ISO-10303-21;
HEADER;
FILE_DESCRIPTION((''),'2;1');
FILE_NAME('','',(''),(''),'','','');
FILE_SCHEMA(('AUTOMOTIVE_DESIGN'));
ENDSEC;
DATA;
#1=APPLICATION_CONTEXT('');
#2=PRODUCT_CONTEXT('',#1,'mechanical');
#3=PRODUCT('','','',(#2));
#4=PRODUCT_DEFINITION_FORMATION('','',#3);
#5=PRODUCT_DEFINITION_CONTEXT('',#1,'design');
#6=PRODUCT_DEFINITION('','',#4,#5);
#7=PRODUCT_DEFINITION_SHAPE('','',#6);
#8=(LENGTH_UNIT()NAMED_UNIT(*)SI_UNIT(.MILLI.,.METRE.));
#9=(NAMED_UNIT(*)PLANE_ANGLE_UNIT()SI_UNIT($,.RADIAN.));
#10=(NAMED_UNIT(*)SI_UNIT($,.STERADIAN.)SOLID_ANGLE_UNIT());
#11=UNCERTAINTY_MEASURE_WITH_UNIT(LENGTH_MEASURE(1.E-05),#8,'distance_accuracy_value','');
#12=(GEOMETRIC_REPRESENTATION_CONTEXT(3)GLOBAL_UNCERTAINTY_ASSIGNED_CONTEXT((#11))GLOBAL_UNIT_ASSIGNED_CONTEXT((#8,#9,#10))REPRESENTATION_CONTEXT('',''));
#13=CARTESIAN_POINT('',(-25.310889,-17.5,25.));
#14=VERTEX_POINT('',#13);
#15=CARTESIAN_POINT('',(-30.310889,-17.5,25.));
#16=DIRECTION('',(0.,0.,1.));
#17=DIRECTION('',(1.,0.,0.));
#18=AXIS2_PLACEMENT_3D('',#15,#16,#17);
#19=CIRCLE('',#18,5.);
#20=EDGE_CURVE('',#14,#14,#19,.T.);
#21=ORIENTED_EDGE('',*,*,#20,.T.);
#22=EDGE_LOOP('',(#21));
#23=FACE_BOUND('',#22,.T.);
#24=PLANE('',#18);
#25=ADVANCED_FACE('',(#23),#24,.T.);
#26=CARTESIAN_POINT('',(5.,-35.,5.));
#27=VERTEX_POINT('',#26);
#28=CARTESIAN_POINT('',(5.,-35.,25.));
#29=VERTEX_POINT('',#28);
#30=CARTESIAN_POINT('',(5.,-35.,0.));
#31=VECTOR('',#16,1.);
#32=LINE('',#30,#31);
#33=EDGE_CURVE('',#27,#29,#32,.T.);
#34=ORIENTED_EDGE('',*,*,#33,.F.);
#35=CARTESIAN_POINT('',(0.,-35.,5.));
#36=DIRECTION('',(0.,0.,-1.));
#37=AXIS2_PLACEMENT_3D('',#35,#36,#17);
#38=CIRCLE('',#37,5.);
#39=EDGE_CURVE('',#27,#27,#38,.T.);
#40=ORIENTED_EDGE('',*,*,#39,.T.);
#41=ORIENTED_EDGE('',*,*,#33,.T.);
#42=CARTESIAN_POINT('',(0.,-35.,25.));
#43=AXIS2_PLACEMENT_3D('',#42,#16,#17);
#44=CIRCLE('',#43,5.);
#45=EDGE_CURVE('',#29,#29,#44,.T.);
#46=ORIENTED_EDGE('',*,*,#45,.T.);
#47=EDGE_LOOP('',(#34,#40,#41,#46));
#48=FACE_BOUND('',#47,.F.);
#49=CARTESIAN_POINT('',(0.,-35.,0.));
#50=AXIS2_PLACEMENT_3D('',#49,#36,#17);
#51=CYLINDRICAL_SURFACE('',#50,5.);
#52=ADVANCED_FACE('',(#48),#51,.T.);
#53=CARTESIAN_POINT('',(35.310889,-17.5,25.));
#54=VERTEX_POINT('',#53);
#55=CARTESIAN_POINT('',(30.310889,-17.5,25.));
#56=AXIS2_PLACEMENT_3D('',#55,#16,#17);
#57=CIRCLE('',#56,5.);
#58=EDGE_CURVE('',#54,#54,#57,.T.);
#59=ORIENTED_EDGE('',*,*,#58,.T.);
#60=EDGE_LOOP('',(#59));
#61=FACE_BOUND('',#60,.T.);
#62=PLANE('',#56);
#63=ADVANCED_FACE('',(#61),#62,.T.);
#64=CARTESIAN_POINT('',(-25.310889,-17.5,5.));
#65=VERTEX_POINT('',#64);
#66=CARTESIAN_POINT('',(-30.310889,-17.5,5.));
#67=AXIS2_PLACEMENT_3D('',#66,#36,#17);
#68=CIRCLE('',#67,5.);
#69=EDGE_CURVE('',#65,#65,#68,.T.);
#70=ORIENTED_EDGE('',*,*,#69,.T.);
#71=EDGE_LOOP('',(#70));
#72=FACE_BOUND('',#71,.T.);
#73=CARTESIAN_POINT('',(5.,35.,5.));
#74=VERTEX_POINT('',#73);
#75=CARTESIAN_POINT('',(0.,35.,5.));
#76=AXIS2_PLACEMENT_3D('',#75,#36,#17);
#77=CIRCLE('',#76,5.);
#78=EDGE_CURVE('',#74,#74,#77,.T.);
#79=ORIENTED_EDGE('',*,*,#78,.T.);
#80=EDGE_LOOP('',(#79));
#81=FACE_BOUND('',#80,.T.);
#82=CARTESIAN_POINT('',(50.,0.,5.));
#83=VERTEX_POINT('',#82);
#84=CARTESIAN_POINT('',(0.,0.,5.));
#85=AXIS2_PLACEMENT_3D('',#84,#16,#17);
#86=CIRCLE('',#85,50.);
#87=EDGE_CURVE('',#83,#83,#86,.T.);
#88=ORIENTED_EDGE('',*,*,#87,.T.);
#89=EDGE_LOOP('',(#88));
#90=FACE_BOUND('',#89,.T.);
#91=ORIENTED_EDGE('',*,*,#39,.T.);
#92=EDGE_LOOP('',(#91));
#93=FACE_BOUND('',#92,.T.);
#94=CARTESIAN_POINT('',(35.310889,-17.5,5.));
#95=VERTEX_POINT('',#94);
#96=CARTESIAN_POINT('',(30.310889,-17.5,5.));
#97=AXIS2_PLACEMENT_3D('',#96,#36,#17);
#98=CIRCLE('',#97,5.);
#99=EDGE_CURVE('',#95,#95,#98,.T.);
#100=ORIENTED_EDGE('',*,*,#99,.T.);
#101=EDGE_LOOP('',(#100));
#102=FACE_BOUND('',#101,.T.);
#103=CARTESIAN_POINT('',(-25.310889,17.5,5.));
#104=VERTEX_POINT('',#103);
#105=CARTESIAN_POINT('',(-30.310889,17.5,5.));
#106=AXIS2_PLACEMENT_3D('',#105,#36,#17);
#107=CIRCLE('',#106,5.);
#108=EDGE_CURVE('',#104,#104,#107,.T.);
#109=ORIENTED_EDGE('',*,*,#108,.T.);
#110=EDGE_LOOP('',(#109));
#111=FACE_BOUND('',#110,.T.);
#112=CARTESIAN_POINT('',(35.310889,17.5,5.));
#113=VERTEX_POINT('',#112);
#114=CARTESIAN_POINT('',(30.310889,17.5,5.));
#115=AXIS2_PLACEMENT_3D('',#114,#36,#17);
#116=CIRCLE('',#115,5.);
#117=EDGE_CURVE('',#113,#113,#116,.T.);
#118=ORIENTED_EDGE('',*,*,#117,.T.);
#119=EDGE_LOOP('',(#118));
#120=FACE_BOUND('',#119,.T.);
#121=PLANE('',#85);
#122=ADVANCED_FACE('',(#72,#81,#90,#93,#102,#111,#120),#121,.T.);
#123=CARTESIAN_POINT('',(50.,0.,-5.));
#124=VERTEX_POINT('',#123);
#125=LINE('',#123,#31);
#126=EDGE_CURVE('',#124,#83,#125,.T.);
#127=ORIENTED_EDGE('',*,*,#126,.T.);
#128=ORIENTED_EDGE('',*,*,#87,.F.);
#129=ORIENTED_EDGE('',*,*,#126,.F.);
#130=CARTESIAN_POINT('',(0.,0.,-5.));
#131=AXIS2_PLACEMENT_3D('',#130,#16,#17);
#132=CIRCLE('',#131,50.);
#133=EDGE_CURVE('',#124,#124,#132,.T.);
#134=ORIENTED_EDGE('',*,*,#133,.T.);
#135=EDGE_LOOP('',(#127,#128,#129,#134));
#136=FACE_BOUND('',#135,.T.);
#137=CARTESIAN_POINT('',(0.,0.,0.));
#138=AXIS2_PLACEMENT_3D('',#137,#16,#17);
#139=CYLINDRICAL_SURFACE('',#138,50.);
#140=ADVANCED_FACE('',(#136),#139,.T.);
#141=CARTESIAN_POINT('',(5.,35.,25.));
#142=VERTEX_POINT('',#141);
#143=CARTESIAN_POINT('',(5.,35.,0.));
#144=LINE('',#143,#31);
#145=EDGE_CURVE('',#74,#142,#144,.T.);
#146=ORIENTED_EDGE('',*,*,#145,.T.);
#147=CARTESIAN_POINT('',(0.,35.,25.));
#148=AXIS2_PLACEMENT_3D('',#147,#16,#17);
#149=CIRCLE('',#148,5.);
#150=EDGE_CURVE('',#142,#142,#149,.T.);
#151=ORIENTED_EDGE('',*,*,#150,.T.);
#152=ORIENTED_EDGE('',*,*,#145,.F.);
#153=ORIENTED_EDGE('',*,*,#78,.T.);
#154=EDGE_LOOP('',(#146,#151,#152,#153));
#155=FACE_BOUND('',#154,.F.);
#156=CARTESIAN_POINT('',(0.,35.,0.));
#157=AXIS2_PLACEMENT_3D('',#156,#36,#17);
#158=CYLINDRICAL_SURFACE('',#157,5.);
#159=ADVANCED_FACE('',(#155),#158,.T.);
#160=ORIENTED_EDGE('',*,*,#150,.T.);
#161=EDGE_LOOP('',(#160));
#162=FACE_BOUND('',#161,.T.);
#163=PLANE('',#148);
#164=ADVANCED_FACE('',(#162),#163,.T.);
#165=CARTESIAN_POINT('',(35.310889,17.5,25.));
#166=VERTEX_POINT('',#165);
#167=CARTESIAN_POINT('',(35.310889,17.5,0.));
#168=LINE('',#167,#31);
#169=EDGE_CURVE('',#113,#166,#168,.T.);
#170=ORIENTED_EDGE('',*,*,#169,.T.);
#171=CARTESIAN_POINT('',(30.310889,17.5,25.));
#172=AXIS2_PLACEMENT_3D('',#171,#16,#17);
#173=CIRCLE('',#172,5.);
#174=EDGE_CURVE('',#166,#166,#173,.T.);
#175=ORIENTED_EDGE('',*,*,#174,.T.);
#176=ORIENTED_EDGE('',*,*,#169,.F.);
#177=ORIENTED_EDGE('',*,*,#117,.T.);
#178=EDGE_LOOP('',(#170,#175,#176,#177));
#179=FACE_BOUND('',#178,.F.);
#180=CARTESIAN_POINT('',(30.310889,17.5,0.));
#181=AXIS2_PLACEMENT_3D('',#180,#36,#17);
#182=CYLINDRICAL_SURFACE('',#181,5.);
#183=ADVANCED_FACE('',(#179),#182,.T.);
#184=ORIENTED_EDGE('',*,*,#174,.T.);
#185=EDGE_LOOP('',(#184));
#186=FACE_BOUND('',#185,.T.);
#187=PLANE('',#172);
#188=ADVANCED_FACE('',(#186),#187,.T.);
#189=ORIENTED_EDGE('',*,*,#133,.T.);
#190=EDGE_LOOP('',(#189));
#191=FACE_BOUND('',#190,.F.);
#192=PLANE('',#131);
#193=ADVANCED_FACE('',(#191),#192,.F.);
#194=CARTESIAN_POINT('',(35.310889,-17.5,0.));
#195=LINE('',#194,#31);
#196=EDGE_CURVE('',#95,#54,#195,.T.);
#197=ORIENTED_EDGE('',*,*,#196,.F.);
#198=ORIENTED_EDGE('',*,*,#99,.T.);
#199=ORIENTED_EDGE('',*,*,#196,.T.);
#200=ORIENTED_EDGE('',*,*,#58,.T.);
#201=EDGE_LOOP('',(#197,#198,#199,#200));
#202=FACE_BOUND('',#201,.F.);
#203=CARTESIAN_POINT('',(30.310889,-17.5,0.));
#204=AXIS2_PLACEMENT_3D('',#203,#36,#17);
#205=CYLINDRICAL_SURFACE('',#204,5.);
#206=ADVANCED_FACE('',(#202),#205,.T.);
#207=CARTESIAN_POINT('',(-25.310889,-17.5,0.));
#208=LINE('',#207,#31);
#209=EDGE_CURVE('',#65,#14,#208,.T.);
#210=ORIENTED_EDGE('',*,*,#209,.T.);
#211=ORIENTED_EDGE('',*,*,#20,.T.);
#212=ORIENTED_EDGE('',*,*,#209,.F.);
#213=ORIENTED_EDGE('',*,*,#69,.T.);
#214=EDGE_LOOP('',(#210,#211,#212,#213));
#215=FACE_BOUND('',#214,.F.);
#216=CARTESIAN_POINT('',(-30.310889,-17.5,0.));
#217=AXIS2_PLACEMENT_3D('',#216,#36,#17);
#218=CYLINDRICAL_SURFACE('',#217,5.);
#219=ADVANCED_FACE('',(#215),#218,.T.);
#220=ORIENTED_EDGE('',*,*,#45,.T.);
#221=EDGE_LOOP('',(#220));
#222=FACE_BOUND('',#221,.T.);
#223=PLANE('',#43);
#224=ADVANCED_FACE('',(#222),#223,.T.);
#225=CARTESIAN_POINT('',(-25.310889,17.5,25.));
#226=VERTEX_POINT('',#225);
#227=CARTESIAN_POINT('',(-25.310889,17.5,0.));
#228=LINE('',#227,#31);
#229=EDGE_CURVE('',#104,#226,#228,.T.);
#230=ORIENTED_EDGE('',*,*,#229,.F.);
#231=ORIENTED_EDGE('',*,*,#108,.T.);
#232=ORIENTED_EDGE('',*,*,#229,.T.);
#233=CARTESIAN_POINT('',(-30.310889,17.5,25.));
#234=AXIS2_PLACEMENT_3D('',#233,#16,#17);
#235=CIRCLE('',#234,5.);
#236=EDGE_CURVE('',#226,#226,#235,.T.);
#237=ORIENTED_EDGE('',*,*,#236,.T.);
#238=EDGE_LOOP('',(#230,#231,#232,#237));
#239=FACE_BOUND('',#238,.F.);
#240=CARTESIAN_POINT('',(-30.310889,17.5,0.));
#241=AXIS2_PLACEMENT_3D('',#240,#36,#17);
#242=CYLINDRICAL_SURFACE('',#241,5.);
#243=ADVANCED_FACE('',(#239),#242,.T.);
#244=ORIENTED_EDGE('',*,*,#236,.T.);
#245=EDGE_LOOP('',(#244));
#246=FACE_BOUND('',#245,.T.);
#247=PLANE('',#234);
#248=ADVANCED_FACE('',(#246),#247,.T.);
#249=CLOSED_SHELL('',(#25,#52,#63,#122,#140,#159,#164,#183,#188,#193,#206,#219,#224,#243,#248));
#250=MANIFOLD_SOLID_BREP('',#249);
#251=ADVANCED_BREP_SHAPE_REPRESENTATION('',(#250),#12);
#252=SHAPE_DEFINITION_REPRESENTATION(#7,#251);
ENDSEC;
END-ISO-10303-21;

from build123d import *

# Parameters (mm, degrees)
F0_R     = 50
F1_DEPTH = 5
F2_R     = 5
F3_DEPTH = 25


with BuildPart() as f1:
    # F0 (on Top) → F1 (new body, symmetric)
    with BuildSketch(Plane.XY):
        Circle(F0_R)
    extrude(amount=F1_DEPTH, both=True)

    # F2 (on Top) → F3 (join)
    with BuildSketch(Plane.XY):
        with Locations((0, 35)):
            Circle(F2_R)
        with Locations((-30.310889, 17.5)):
            Circle(F2_R)
        with Locations((-30.310889, -17.5)):
            Circle(F2_R)
        with Locations((0, -35)):
            Circle(F2_R)
        with Locations((30.310889, -17.5)):
            Circle(F2_R)
        with Locations((30.310889, 17.5)):
            Circle(F2_R)
    extrude(amount=F3_DEPTH)


solid = f1.part
